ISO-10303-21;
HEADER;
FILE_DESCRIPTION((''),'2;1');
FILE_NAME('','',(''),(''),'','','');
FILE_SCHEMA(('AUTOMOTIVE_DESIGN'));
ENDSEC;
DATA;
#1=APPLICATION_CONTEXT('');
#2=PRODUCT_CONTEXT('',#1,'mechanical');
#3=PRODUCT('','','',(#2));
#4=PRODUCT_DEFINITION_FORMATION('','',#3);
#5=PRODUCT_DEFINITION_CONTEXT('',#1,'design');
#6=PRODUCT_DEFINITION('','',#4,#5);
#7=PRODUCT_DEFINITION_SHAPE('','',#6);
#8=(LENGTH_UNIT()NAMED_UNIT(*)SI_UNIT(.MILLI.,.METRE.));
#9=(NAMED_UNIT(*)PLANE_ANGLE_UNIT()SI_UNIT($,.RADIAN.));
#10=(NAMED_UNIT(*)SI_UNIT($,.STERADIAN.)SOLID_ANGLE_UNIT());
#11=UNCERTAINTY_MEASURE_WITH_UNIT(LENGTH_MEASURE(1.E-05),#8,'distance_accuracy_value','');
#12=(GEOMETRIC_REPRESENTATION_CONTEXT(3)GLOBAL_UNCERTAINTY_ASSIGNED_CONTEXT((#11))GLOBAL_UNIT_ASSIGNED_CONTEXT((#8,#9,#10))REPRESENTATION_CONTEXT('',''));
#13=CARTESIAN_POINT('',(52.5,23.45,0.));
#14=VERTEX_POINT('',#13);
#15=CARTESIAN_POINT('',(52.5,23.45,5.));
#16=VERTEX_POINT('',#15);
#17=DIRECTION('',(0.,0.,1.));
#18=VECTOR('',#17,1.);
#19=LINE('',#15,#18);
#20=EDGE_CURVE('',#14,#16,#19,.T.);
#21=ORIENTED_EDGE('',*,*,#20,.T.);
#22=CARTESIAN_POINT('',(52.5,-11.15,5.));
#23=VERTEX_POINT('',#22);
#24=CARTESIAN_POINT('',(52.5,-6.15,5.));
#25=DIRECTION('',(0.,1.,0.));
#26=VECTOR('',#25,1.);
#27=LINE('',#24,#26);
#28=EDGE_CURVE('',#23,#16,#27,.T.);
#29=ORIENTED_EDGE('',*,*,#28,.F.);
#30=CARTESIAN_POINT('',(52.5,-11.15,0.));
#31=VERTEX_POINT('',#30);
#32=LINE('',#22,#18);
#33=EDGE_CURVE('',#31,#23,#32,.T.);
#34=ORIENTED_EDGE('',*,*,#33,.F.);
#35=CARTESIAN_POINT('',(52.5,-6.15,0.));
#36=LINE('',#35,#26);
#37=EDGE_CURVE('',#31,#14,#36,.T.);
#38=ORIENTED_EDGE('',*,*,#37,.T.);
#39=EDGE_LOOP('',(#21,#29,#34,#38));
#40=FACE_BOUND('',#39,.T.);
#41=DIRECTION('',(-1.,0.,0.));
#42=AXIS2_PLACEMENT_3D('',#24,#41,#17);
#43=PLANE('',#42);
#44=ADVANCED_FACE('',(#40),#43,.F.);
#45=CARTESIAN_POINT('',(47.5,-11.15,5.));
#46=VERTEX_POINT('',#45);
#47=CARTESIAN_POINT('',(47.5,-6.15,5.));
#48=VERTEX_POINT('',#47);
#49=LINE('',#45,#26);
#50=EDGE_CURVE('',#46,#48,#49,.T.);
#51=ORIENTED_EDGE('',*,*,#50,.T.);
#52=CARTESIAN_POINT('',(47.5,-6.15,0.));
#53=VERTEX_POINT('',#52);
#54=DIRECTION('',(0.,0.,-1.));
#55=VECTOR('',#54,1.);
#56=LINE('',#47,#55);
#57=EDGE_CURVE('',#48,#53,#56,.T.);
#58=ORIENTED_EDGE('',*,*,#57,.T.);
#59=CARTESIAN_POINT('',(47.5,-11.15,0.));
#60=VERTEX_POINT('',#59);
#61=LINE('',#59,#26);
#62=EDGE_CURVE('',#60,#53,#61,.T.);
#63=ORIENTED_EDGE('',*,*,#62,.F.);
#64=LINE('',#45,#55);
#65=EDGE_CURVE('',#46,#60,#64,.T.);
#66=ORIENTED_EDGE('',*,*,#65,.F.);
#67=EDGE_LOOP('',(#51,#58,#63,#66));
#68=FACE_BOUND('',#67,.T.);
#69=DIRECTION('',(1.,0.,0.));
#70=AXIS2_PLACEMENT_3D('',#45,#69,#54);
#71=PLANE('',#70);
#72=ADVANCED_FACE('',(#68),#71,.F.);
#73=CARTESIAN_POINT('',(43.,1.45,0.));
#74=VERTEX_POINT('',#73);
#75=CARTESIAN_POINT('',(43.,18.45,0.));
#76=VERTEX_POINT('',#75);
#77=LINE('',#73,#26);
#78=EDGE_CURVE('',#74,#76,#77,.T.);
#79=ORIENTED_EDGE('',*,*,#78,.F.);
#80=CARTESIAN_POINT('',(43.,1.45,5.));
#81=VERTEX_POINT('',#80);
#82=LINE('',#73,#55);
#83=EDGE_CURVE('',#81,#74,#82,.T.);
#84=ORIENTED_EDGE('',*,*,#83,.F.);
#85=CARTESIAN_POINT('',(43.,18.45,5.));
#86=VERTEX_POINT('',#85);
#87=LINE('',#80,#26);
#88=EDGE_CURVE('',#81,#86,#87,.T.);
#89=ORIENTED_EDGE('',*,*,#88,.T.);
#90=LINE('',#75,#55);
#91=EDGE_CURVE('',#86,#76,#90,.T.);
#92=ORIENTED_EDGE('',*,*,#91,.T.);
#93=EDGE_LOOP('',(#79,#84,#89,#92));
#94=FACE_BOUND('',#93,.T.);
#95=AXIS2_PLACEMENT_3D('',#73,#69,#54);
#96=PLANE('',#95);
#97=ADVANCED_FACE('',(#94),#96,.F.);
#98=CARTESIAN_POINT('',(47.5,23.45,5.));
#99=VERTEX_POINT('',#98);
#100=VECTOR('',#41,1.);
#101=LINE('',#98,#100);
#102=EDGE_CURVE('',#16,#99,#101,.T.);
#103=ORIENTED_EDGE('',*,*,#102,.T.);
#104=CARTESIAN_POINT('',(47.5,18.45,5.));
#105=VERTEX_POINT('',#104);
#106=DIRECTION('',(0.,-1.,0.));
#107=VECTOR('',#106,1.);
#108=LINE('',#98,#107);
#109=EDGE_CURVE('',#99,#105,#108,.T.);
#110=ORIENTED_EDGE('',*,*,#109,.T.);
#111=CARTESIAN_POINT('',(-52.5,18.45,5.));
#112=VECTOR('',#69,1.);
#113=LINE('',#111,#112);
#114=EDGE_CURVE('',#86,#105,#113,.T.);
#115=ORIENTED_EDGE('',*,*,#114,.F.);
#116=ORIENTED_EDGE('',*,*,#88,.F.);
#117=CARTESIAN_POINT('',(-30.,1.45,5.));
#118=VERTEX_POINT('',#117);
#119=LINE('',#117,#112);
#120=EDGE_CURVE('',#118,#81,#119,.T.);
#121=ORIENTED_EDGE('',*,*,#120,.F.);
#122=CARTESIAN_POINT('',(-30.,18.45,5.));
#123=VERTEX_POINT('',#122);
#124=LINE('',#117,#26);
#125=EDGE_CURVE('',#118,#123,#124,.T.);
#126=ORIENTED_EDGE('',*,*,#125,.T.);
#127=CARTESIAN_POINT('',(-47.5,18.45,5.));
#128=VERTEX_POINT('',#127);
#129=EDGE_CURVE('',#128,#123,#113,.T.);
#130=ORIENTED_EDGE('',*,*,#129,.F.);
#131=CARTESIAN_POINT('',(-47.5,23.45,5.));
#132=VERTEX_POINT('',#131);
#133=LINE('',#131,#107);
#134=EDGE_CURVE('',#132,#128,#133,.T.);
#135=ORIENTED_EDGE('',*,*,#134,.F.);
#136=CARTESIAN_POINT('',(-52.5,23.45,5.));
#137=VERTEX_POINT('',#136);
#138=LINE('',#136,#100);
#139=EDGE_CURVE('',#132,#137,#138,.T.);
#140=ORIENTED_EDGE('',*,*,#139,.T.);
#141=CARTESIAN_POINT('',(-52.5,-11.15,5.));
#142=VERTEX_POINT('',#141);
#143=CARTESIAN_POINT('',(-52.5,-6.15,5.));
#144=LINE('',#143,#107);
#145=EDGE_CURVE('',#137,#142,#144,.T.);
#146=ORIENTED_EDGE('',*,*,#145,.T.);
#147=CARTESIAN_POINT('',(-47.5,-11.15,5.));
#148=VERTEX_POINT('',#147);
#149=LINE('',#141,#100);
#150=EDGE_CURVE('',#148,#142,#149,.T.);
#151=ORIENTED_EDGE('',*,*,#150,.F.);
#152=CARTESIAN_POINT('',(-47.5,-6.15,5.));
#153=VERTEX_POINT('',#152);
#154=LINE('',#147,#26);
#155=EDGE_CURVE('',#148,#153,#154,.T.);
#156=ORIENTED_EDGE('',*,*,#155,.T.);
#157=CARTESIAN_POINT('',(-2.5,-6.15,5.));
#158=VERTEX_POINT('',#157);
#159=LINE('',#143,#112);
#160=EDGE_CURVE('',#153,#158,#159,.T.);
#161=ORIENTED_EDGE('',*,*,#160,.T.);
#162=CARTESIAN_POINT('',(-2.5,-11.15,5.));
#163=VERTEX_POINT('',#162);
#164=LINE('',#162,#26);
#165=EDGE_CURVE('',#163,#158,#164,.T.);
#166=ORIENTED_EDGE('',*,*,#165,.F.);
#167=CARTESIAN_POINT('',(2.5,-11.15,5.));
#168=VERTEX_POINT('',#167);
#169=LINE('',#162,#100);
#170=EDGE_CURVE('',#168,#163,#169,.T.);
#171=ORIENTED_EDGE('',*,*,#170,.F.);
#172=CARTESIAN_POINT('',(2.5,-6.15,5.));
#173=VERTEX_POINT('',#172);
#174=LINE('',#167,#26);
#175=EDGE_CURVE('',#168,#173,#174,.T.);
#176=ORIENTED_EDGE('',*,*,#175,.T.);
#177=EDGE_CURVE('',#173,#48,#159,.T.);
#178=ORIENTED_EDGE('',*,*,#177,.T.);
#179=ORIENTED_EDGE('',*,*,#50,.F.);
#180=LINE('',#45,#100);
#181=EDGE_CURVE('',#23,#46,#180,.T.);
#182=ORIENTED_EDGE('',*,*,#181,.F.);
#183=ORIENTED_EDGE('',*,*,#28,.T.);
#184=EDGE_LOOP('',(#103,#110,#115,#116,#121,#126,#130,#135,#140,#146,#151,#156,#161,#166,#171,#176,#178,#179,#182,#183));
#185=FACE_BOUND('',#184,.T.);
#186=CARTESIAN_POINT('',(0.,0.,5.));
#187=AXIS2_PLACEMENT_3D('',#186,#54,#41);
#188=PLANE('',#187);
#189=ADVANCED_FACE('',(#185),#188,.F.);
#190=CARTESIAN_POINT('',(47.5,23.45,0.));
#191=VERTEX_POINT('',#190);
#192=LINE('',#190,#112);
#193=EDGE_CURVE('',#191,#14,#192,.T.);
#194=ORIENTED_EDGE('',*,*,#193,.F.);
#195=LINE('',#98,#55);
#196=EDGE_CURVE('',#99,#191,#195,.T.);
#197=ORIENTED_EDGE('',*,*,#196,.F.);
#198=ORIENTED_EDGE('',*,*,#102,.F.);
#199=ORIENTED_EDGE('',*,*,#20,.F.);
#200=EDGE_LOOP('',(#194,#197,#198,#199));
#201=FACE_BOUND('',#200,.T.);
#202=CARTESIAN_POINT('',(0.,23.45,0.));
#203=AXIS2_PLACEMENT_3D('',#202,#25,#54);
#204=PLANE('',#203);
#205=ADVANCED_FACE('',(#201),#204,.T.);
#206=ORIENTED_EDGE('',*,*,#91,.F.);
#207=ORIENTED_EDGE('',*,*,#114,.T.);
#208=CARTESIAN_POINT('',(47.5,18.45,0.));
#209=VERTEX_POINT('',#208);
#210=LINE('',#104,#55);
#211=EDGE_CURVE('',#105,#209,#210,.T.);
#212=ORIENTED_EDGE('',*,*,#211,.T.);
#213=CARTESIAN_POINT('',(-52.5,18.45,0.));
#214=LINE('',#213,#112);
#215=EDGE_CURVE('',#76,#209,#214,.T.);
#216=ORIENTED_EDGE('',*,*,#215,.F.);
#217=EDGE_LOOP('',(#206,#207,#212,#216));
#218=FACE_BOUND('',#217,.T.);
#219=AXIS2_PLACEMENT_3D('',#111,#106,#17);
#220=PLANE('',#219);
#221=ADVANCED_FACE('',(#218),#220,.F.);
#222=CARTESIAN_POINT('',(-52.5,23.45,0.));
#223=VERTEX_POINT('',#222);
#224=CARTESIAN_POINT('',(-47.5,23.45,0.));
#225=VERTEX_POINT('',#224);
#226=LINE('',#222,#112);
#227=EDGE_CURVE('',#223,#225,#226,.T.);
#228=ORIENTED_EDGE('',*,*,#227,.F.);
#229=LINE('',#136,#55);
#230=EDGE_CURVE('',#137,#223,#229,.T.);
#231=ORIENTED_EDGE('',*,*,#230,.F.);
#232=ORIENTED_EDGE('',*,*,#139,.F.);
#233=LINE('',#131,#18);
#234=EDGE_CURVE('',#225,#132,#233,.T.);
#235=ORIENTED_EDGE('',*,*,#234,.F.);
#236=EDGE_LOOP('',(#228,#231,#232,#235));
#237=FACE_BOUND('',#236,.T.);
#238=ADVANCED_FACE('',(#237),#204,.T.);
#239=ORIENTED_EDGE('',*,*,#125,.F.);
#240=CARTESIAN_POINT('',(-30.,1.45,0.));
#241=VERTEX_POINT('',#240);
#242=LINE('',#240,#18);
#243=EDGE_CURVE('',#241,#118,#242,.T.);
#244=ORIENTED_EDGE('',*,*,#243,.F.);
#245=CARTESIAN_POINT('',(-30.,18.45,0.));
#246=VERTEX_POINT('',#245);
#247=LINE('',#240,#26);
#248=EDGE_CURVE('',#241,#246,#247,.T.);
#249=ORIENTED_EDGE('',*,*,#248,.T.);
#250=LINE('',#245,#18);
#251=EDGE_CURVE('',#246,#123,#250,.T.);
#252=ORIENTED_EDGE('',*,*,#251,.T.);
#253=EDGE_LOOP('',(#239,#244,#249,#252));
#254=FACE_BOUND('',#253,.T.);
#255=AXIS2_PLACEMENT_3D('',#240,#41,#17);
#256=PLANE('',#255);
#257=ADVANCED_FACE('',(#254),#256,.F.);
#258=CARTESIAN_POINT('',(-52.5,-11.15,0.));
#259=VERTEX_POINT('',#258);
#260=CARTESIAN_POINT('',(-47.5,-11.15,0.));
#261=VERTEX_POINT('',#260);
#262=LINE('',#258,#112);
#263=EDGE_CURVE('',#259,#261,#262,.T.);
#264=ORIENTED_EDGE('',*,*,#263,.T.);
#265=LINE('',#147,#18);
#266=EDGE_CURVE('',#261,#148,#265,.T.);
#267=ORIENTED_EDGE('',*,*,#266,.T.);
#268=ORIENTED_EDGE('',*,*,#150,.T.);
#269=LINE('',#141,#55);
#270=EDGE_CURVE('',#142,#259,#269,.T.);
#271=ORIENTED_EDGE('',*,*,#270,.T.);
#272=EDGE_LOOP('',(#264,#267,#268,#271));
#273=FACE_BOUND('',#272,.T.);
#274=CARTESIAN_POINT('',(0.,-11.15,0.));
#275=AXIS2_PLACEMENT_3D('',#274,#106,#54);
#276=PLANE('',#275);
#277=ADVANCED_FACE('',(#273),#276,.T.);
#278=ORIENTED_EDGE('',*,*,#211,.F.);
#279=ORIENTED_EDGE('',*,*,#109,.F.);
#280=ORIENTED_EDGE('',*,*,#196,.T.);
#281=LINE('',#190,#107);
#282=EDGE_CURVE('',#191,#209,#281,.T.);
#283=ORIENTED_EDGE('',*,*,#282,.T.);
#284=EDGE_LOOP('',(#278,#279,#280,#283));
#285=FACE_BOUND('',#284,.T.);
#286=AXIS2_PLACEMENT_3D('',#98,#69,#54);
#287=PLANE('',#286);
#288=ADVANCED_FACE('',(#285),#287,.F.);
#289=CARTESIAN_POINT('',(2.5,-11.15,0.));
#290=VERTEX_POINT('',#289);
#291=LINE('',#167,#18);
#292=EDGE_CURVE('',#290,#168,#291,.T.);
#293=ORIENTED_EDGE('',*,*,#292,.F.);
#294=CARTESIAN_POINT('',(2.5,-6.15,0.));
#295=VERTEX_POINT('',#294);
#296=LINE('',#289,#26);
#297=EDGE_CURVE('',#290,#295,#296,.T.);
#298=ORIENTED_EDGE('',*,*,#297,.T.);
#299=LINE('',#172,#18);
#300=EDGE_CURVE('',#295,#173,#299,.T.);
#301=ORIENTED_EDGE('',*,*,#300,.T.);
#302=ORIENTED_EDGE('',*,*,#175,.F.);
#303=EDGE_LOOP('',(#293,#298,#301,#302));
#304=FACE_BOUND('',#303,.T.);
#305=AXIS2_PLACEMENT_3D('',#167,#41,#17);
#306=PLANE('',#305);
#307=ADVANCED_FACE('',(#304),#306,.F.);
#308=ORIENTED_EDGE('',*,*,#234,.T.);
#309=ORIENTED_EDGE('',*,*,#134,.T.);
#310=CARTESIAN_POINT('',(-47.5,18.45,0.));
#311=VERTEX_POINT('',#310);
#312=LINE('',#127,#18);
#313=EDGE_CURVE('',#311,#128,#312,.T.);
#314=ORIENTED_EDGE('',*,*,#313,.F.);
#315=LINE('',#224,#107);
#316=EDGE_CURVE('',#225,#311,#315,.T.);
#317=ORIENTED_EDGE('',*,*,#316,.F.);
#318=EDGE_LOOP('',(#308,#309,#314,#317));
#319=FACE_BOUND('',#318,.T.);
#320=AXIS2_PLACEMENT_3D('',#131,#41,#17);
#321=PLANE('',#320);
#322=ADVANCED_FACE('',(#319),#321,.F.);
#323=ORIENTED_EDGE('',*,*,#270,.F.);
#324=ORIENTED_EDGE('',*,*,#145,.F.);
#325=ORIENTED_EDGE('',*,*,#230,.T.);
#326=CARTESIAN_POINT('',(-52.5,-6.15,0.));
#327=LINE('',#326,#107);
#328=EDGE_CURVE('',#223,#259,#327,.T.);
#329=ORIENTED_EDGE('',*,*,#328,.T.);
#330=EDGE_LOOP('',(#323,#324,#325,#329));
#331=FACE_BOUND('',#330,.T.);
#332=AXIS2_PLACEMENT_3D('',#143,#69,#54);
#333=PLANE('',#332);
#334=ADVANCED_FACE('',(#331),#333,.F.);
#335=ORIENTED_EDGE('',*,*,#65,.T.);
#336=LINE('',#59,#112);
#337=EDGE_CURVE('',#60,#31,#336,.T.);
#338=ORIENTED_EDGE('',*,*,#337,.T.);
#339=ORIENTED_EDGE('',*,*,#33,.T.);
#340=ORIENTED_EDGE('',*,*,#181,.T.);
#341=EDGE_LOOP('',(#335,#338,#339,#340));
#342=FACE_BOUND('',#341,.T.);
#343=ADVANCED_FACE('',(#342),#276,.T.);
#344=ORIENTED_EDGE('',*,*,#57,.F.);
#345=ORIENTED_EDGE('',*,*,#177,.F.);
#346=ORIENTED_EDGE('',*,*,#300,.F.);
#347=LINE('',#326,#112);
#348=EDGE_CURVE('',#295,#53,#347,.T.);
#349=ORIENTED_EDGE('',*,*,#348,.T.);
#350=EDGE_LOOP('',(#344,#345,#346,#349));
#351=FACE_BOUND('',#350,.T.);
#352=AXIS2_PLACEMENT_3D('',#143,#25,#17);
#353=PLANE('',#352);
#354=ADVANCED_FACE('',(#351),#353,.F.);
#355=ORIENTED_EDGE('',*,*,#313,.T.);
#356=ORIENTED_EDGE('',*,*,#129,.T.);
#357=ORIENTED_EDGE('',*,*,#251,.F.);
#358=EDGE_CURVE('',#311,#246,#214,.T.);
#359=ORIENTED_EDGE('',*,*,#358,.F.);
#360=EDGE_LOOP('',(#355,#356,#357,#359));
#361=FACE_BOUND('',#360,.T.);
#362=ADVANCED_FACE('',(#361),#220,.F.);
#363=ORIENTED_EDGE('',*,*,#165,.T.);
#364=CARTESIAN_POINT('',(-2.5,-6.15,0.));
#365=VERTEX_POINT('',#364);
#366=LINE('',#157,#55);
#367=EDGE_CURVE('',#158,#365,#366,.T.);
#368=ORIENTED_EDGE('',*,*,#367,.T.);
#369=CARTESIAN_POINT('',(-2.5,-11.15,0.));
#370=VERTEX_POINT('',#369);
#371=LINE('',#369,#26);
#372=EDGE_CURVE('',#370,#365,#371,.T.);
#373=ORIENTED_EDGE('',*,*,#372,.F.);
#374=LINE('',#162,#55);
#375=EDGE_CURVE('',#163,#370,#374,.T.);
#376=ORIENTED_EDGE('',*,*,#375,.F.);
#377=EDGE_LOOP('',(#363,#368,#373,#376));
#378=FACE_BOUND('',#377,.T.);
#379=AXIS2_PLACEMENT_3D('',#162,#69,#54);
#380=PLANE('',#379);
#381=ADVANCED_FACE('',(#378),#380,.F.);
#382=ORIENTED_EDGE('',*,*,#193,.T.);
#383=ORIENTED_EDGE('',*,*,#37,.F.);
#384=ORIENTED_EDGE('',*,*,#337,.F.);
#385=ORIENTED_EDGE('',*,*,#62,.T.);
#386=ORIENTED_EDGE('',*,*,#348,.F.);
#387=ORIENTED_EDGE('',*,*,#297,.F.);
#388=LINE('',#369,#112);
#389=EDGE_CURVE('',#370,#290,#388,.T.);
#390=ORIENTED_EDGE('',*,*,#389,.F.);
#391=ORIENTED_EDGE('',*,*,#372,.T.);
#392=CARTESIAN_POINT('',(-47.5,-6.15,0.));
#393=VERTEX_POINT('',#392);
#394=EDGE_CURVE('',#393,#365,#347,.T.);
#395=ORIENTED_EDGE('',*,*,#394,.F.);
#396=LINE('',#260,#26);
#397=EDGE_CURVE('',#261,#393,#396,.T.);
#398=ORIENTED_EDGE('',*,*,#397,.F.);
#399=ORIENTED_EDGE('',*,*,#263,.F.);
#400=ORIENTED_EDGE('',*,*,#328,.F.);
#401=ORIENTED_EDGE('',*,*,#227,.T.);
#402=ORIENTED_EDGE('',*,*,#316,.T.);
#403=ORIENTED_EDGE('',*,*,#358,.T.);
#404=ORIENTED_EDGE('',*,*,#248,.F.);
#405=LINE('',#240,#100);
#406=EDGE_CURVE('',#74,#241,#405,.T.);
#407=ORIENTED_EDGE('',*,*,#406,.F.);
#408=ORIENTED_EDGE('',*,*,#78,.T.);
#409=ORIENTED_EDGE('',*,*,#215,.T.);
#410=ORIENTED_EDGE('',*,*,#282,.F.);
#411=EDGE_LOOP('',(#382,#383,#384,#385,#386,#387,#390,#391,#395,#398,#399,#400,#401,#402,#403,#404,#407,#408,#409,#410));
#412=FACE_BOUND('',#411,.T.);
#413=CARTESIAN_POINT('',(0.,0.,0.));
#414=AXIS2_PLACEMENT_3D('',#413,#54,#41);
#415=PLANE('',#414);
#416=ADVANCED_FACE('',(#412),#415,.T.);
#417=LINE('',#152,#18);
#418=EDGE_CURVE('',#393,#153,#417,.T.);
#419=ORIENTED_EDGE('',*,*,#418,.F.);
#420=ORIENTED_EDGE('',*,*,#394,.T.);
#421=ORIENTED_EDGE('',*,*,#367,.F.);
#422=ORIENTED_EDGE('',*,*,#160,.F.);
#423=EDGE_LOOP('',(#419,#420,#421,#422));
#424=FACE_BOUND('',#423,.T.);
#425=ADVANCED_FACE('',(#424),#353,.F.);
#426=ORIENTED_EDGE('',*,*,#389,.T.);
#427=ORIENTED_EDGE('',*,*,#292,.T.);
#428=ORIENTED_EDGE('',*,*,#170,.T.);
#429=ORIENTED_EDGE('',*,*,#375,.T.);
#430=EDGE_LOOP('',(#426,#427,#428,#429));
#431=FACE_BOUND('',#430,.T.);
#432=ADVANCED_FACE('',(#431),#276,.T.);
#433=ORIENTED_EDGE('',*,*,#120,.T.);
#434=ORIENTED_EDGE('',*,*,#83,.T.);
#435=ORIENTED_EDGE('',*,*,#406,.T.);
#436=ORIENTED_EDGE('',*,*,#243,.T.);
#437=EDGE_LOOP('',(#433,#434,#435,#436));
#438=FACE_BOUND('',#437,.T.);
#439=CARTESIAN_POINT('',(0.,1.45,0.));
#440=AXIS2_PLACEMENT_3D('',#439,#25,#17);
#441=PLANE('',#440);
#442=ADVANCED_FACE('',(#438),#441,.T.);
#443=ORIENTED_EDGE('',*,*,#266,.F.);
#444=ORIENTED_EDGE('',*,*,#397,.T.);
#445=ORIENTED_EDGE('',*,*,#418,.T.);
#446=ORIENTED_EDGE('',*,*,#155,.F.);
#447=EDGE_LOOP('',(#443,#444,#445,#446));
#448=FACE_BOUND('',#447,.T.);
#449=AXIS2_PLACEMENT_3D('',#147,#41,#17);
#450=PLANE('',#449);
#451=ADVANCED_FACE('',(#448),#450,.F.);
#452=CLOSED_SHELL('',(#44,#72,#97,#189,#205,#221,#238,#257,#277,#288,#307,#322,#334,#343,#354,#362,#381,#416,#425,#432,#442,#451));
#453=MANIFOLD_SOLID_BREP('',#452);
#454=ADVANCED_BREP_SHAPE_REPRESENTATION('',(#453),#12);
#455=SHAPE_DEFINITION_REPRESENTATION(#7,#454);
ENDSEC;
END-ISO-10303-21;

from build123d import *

# Parameters (mm, degrees)
SKETCH1_W           = 105
SKETCH1_H           = 12.3
BOSS_EXTRUDE1_DEPTH = 5
SKETCH2_W           = 5
SKETCH2_H           = 5
BOSS_EXTRUDE2_DEPTH = 5
SKETCH3_W           = 73
SKETCH3_H           = 5
CUT_EXTRUDE1_DEPTH  = 17
SKETCH4_W           = 5
SKETCH4_H           = 5
BOSS_EXTRUDE3_DEPTH = 5


with BuildPart() as part:
    # Sketch1 → Boss-Extrude1 (new body)
    with BuildSketch(Plane.XY):
        Rectangle(SKETCH1_W, SKETCH1_H)
    extrude(amount=BOSS_EXTRUDE1_DEPTH)

    # Sketch2 → Boss-Extrude2 (add)
    with BuildSketch(Plane.XZ.offset(6.15)):
        with Locations((-50, 2.5)):
            Rectangle(SKETCH2_W, SKETCH2_H)
        with Locations((50, 2.5)):
            Rectangle(SKETCH2_W, SKETCH2_H)
    extrude(amount=BOSS_EXTRUDE2_DEPTH)

    # Mirror1: part across plane


with BuildPart() as part_1:
    add(part.part)
    add(part.part.mirror(Plane(origin=(-52.5, 6.15, 5), x_dir=(0, 0, 1), z_dir=(0, -1, 0))))

    # Sketch3 → Cut-Extrude1 (cut)
    with BuildSketch(Plane(origin=(0, 18.45, 0), x_dir=(1, 0, 0), z_dir=(0, 1, 0))):
        with Locations((6.5, -2.5)):
            Rectangle(SKETCH3_W, SKETCH3_H)
    extrude(amount=-CUT_EXTRUDE1_DEPTH, mode=Mode.SUBTRACT)

    # Sketch4 → Boss-Extrude3 (add)
    with BuildSketch(Plane.XZ.offset(6.15)):
        with Locations((0, 2.5)):
            Rectangle(SKETCH4_W, SKETCH4_H)
    extrude(amount=BOSS_EXTRUDE3_DEPTH)


solid = part_1.part
